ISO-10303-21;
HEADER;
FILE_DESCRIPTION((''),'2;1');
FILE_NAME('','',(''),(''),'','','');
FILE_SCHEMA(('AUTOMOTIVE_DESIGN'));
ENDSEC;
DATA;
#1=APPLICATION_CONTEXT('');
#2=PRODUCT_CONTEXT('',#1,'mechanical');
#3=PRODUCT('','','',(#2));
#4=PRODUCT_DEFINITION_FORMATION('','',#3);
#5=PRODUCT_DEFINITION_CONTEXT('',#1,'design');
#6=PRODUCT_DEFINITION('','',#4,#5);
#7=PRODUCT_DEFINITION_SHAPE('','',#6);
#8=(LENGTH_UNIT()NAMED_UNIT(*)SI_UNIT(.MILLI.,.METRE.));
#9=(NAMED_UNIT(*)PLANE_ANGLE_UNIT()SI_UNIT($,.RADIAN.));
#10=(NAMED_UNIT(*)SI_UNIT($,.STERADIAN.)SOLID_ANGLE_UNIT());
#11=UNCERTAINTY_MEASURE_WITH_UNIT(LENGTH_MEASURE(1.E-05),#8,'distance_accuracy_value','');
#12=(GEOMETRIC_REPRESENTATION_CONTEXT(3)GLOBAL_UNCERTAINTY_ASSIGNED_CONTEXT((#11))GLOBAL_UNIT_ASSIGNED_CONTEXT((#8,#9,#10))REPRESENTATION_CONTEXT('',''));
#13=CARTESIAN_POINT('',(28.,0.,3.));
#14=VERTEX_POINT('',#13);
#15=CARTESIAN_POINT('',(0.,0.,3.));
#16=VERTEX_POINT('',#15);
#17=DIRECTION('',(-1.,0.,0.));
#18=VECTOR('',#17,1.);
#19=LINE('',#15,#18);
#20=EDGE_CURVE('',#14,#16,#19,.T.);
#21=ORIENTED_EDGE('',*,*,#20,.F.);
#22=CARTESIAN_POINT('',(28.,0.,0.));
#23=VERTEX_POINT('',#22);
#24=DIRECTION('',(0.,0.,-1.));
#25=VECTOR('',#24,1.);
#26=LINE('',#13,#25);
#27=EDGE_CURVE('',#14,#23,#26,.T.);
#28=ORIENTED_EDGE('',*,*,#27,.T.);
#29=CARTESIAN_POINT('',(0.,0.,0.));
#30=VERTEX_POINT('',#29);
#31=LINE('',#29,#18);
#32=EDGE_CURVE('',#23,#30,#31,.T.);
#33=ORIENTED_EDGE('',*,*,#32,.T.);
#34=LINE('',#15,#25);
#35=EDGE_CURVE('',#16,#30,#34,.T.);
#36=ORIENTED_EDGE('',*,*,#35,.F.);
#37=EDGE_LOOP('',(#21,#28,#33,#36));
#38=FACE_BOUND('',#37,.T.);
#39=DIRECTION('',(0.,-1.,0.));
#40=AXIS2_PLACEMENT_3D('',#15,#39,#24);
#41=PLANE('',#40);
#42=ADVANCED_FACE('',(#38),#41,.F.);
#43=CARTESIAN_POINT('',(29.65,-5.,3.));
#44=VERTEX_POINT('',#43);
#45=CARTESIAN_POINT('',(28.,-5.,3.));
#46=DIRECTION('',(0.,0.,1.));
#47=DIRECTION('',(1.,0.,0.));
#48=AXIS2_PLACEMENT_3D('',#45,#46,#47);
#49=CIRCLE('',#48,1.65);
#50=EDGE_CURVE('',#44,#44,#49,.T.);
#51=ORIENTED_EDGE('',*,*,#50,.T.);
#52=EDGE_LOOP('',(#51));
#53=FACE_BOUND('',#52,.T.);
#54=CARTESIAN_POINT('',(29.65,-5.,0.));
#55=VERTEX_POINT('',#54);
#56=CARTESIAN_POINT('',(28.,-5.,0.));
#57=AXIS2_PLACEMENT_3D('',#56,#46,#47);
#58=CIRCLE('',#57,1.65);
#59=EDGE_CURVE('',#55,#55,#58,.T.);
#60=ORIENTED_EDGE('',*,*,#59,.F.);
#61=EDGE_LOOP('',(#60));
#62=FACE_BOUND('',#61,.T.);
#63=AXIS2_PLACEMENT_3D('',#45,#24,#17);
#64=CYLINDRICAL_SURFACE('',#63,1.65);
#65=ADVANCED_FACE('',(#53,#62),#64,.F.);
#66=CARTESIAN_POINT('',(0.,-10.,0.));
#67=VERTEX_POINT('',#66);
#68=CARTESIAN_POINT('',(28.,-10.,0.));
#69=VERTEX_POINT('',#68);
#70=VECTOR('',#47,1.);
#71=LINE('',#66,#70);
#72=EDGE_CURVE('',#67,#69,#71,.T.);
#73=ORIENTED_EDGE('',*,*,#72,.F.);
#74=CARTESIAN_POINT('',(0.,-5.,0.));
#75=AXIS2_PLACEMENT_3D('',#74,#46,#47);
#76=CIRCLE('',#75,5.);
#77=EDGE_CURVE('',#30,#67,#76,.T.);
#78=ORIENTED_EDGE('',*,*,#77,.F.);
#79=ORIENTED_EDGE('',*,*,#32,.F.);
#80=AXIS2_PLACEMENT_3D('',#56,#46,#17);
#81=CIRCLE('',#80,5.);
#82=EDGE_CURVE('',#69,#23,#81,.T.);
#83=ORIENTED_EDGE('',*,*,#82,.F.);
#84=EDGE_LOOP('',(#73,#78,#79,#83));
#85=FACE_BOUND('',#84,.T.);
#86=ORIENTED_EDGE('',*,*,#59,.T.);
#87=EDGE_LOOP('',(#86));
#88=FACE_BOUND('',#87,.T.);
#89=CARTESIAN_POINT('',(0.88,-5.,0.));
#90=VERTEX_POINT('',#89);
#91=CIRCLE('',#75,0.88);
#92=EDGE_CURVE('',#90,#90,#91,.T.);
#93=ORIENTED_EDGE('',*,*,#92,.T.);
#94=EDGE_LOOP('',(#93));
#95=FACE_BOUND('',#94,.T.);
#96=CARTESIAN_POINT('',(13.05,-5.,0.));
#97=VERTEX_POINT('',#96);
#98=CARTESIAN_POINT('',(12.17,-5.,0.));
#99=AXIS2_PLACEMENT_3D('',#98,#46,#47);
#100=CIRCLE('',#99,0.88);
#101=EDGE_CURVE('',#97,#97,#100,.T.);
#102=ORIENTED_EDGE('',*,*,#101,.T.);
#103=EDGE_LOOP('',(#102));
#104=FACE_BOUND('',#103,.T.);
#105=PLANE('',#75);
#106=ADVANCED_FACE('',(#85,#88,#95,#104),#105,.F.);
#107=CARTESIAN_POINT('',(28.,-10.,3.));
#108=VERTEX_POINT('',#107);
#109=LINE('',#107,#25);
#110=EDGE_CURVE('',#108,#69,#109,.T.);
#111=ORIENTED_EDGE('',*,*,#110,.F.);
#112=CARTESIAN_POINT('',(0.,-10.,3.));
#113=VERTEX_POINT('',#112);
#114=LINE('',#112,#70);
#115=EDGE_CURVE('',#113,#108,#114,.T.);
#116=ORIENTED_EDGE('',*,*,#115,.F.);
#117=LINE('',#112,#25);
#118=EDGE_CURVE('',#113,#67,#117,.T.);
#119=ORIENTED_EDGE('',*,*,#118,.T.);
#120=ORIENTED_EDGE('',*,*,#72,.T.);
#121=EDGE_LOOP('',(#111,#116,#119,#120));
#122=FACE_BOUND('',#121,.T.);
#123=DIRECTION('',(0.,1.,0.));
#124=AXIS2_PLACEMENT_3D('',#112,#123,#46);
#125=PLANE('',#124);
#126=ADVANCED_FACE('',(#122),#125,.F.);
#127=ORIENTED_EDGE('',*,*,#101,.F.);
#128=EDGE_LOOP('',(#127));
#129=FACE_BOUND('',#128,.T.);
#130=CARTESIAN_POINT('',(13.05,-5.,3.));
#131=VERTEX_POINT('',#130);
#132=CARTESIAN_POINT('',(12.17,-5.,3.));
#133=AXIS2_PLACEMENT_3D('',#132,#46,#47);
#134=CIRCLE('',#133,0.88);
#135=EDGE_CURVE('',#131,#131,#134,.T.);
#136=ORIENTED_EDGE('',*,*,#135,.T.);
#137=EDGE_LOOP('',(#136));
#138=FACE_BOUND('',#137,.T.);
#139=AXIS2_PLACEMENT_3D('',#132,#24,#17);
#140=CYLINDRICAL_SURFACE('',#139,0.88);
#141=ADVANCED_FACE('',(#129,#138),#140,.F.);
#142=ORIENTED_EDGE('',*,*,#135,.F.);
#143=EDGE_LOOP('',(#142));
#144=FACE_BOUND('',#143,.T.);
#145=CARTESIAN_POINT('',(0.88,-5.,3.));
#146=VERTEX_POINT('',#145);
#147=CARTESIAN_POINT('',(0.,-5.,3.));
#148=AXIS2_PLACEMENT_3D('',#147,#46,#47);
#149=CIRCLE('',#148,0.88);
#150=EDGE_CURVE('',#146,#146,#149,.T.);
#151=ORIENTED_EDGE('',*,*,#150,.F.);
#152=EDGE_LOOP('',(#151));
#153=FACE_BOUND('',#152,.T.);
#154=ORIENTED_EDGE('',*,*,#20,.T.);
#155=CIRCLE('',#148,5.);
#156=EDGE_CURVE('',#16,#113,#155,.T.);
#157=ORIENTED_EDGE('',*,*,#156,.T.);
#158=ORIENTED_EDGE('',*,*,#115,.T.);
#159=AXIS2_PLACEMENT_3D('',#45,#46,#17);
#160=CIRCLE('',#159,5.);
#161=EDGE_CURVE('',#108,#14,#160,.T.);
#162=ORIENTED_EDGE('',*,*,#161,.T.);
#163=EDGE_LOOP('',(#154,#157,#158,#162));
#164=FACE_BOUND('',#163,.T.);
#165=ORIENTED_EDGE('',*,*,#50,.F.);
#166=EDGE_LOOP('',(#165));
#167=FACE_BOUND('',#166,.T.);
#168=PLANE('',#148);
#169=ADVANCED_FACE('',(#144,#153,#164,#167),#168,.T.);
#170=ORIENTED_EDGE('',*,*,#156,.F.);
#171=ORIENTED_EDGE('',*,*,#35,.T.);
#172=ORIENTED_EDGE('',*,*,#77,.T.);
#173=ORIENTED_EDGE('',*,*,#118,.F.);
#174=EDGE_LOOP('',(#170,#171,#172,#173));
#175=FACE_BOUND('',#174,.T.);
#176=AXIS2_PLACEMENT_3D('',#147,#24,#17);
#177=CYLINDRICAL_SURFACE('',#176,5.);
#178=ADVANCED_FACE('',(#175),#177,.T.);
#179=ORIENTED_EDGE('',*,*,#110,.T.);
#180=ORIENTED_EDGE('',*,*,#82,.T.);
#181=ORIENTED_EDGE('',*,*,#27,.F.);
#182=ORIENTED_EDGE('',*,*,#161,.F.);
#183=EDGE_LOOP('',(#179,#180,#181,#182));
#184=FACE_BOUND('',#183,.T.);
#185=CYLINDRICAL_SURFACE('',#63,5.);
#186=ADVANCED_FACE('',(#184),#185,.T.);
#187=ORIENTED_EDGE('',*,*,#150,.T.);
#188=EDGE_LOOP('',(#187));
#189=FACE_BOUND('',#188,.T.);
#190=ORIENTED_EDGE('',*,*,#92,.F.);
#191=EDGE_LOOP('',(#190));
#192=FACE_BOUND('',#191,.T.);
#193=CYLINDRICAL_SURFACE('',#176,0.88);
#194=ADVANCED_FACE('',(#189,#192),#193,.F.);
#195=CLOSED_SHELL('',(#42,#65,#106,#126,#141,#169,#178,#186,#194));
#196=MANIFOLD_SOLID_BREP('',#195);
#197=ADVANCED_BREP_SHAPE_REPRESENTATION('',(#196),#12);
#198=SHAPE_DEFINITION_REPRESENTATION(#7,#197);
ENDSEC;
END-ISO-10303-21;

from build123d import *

# Parameters (mm, degrees)
SKETCH_1_R      = 0.88
SKETCH_1_R_2    = 1.65
EXTRUDE_1_DEPTH = 3


with BuildPart() as part:
    # 草图1 → 凸台-拉伸1 (new body)
    with BuildSketch(Plane.XY):
        with BuildLine():
            Line((0, 0), (28, 0))
            ThreePointArc((28, 0), (33, -5), (28, -10))
            Line((28, -10), (0, -10))
            ThreePointArc((0, -10), (-5, -5), (0, 0))
        make_face()
        with Locations((0, -5)):
            Circle(SKETCH_1_R, mode=Mode.SUBTRACT)
        with Locations((28, -5)):
            Circle(SKETCH_1_R_2, mode=Mode.SUBTRACT)
        with Locations((12.17, -5)):
            Circle(SKETCH_1_R, mode=Mode.SUBTRACT)
    extrude(amount=EXTRUDE_1_DEPTH)


solid = part.part
